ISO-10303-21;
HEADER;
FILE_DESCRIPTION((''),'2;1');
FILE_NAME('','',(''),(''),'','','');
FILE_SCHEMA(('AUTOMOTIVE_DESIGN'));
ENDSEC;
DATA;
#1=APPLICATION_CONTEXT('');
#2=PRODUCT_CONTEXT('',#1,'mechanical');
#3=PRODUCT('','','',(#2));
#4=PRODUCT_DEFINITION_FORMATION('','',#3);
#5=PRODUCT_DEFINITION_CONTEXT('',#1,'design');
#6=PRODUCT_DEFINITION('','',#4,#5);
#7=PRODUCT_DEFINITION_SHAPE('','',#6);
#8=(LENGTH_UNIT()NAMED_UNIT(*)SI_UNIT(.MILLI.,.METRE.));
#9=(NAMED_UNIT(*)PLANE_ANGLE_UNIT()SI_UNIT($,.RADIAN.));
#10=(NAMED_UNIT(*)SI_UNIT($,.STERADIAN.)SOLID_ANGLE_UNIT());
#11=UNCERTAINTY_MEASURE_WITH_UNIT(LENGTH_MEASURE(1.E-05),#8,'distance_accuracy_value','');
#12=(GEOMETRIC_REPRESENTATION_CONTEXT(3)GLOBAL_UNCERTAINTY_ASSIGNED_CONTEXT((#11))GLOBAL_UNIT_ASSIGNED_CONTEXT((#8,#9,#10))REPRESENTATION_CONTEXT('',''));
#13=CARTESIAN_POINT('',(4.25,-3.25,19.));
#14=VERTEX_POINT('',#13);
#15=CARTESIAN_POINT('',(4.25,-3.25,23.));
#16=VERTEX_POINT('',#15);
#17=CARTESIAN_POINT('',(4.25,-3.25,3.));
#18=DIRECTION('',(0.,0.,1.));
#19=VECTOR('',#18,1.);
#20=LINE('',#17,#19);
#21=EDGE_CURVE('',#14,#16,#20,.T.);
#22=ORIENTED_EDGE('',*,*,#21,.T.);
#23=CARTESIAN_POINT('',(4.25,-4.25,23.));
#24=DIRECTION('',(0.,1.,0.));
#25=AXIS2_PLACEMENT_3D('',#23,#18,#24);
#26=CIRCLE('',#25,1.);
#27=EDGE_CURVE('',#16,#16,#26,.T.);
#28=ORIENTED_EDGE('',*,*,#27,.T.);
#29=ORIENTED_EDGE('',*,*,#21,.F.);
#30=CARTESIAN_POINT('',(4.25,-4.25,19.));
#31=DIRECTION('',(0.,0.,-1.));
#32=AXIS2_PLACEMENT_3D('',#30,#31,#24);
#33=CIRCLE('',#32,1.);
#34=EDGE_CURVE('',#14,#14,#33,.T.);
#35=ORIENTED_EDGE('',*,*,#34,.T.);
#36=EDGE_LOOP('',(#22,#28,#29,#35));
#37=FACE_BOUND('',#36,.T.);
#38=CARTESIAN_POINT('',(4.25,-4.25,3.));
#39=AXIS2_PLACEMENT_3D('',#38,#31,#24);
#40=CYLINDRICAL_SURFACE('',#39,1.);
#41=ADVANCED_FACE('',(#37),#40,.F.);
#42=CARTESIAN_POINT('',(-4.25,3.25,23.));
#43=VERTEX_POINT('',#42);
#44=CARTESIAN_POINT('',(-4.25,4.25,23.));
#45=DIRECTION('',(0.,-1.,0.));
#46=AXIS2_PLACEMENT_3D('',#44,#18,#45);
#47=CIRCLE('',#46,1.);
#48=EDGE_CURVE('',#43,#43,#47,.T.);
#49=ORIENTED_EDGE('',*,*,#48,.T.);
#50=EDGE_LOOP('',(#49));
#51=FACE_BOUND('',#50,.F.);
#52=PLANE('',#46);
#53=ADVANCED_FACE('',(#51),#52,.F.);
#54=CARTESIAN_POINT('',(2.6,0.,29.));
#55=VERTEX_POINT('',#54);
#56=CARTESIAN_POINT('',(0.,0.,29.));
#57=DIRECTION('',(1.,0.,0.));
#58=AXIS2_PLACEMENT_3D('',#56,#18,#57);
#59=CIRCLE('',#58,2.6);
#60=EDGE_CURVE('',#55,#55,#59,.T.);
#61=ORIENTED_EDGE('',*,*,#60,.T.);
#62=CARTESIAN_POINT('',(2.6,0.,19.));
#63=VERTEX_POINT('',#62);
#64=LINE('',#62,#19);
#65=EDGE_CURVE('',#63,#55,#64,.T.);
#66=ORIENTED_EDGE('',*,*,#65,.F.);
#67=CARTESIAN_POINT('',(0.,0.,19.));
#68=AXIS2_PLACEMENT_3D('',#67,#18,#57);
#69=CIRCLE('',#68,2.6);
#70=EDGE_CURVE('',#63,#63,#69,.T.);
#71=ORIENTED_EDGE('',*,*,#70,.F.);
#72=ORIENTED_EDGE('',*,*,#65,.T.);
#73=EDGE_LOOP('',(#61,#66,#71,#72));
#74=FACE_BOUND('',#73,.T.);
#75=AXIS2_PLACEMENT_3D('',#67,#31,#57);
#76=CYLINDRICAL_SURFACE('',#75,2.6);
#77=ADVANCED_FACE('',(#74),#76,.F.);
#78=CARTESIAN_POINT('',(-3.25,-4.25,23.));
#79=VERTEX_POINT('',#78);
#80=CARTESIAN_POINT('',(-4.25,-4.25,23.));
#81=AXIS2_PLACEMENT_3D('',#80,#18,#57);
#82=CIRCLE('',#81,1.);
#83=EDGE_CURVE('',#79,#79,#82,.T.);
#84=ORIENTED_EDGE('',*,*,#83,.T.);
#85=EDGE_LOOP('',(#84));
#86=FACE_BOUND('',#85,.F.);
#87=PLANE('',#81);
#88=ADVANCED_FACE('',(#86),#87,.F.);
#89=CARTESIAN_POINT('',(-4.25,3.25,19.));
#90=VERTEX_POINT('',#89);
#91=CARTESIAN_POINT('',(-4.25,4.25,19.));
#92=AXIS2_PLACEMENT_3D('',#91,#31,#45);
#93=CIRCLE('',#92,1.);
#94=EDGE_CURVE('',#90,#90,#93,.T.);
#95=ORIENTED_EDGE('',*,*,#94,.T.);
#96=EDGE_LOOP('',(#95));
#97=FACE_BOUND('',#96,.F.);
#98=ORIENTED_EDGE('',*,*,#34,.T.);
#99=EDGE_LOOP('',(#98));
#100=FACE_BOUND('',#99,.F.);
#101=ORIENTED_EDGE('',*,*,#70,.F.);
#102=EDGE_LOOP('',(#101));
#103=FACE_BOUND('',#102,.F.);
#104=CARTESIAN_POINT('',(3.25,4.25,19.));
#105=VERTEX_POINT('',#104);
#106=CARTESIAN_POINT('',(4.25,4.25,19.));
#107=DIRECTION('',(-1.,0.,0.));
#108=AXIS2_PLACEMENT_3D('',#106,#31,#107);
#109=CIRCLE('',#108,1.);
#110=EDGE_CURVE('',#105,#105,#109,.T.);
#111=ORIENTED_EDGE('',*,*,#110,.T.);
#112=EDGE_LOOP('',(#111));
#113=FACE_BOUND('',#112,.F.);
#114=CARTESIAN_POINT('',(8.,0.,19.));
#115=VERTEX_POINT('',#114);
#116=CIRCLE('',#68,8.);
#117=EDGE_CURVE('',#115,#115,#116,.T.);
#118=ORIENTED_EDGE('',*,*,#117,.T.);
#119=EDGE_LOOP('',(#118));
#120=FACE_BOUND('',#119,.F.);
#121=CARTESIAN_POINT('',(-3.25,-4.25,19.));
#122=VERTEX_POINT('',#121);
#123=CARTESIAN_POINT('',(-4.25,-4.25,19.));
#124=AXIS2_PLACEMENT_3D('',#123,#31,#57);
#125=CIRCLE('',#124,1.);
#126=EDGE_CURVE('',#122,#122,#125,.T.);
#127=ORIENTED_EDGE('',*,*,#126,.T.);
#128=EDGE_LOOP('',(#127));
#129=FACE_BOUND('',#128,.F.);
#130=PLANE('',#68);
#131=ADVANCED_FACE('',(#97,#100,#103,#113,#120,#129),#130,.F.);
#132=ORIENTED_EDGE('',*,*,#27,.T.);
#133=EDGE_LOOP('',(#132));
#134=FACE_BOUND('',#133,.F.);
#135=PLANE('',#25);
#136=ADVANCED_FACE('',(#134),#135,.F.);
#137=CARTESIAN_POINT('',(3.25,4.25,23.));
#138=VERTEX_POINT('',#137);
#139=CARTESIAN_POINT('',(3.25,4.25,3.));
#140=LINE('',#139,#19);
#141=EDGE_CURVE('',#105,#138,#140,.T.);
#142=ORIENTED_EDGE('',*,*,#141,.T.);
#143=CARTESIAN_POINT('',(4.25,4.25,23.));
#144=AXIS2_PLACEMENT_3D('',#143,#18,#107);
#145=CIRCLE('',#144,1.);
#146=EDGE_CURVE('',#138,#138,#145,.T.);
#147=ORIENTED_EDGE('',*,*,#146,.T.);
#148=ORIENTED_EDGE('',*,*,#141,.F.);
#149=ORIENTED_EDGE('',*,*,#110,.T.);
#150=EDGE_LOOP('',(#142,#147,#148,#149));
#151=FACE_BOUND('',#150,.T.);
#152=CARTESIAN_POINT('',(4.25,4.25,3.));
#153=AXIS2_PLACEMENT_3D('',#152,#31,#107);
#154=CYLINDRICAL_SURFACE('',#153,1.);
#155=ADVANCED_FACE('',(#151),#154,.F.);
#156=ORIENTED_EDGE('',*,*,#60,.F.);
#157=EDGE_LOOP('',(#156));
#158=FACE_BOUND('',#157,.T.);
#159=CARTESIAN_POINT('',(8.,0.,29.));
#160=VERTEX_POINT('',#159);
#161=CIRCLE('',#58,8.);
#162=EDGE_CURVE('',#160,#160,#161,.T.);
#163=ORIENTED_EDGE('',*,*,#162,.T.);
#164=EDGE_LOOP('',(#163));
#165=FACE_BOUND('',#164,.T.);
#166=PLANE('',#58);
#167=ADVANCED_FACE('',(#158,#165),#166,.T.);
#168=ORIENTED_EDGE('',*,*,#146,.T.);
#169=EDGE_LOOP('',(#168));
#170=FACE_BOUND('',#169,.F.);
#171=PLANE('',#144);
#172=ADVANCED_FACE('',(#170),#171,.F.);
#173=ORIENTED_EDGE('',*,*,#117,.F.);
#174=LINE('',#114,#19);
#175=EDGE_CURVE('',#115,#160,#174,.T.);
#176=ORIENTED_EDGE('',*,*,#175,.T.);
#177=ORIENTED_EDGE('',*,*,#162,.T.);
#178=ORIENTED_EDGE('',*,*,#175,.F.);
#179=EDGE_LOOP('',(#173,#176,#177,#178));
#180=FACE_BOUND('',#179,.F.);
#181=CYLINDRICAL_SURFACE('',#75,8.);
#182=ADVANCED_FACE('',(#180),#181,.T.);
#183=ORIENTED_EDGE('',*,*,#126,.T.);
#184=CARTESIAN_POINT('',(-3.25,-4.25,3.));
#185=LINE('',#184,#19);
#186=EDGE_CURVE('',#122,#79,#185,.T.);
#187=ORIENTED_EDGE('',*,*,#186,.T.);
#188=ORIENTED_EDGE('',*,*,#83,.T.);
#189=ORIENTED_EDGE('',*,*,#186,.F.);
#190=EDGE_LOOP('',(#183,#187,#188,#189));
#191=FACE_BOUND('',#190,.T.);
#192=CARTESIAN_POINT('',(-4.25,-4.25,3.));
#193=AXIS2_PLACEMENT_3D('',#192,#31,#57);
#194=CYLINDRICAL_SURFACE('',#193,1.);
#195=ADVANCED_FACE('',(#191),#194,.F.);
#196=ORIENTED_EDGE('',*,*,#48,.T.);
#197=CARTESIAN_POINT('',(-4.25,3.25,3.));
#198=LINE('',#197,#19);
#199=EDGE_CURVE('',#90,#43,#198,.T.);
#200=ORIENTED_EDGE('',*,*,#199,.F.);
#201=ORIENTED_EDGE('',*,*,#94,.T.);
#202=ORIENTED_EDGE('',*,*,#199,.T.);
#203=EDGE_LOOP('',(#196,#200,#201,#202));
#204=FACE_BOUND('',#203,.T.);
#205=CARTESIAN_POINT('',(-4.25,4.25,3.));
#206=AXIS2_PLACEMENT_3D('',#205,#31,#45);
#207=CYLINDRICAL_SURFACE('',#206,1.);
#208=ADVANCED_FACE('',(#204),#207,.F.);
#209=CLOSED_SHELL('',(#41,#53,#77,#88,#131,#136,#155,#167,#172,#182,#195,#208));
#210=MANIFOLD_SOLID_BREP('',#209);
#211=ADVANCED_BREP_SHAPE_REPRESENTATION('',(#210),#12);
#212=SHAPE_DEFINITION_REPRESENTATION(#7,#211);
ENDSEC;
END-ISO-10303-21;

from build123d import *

# Parameters (mm, degrees)
CYLINDER985_R     = 1
CYLINDER985_DEPTH = 20
CYLINDER982_R     = 1
CYLINDER982_DEPTH = 20
CYLINDER983_R     = 1
CYLINDER983_DEPTH = 20
CYLINDER984_R     = 1
CYLINDER984_DEPTH = 20
TUBE080_R         = 8
TUBE080_R_2       = 2.6
TUBE080_DEPTH     = 10


with BuildPart() as v_lec985:
    # Cylinder985 → Cylinder985 (new body)
    with BuildSketch(Plane(origin=(4.25, -4.25, -88), x_dir=(0, 1, 0), z_dir=(0, 0, 1))):
        Circle(CYLINDER985_R)
    extrude(amount=CYLINDER985_DEPTH)


with BuildPart() as v_lec982:
    # Cylinder982 → Cylinder982 (new body)
    with BuildSketch(Plane(origin=(4.25, 4.25, -88), x_dir=(-1, 0, 0), z_dir=(0, 0, 1))):
        Circle(CYLINDER982_R)
    extrude(amount=CYLINDER982_DEPTH)


with BuildPart() as v_lec983:
    # Cylinder983 → Cylinder983 (new body)
    with BuildSketch(Plane(origin=(-4.25, 4.25, -88), x_dir=(0, -1, 0), z_dir=(0, 0, 1))):
        Circle(CYLINDER983_R)
    extrude(amount=CYLINDER983_DEPTH)


with BuildPart() as compound810:
    # Cylinder984 → Cylinder984 (new body)
    with BuildSketch(Plane(origin=(-4.25, -4.25, -88), x_dir=(1, 0, 0), z_dir=(0, 0, 1))):
        Circle(CYLINDER984_R)
    extrude(amount=CYLINDER984_DEPTH)

    # Compound810: union Válec985, Válec982, Válec983
    add(v_lec985.part)
    add(v_lec982.part)
    add(v_lec983.part)


with BuildPart() as compound810_1:
    # Compound810 placement: moved
    add(compound810.part.moved(Location((0, 0, 91))))


with BuildPart() as cut091:
    # Tube080 → Tube080 (new body)
    with BuildSketch(Plane.XY.offset(19)):
        Circle(TUBE080_R)
        Circle(TUBE080_R_2, mode=Mode.SUBTRACT)
    extrude(amount=TUBE080_DEPTH)

    # Cut091: cut Compound810
    add(compound810_1.part, mode=Mode.SUBTRACT)


solid = cut091.part
